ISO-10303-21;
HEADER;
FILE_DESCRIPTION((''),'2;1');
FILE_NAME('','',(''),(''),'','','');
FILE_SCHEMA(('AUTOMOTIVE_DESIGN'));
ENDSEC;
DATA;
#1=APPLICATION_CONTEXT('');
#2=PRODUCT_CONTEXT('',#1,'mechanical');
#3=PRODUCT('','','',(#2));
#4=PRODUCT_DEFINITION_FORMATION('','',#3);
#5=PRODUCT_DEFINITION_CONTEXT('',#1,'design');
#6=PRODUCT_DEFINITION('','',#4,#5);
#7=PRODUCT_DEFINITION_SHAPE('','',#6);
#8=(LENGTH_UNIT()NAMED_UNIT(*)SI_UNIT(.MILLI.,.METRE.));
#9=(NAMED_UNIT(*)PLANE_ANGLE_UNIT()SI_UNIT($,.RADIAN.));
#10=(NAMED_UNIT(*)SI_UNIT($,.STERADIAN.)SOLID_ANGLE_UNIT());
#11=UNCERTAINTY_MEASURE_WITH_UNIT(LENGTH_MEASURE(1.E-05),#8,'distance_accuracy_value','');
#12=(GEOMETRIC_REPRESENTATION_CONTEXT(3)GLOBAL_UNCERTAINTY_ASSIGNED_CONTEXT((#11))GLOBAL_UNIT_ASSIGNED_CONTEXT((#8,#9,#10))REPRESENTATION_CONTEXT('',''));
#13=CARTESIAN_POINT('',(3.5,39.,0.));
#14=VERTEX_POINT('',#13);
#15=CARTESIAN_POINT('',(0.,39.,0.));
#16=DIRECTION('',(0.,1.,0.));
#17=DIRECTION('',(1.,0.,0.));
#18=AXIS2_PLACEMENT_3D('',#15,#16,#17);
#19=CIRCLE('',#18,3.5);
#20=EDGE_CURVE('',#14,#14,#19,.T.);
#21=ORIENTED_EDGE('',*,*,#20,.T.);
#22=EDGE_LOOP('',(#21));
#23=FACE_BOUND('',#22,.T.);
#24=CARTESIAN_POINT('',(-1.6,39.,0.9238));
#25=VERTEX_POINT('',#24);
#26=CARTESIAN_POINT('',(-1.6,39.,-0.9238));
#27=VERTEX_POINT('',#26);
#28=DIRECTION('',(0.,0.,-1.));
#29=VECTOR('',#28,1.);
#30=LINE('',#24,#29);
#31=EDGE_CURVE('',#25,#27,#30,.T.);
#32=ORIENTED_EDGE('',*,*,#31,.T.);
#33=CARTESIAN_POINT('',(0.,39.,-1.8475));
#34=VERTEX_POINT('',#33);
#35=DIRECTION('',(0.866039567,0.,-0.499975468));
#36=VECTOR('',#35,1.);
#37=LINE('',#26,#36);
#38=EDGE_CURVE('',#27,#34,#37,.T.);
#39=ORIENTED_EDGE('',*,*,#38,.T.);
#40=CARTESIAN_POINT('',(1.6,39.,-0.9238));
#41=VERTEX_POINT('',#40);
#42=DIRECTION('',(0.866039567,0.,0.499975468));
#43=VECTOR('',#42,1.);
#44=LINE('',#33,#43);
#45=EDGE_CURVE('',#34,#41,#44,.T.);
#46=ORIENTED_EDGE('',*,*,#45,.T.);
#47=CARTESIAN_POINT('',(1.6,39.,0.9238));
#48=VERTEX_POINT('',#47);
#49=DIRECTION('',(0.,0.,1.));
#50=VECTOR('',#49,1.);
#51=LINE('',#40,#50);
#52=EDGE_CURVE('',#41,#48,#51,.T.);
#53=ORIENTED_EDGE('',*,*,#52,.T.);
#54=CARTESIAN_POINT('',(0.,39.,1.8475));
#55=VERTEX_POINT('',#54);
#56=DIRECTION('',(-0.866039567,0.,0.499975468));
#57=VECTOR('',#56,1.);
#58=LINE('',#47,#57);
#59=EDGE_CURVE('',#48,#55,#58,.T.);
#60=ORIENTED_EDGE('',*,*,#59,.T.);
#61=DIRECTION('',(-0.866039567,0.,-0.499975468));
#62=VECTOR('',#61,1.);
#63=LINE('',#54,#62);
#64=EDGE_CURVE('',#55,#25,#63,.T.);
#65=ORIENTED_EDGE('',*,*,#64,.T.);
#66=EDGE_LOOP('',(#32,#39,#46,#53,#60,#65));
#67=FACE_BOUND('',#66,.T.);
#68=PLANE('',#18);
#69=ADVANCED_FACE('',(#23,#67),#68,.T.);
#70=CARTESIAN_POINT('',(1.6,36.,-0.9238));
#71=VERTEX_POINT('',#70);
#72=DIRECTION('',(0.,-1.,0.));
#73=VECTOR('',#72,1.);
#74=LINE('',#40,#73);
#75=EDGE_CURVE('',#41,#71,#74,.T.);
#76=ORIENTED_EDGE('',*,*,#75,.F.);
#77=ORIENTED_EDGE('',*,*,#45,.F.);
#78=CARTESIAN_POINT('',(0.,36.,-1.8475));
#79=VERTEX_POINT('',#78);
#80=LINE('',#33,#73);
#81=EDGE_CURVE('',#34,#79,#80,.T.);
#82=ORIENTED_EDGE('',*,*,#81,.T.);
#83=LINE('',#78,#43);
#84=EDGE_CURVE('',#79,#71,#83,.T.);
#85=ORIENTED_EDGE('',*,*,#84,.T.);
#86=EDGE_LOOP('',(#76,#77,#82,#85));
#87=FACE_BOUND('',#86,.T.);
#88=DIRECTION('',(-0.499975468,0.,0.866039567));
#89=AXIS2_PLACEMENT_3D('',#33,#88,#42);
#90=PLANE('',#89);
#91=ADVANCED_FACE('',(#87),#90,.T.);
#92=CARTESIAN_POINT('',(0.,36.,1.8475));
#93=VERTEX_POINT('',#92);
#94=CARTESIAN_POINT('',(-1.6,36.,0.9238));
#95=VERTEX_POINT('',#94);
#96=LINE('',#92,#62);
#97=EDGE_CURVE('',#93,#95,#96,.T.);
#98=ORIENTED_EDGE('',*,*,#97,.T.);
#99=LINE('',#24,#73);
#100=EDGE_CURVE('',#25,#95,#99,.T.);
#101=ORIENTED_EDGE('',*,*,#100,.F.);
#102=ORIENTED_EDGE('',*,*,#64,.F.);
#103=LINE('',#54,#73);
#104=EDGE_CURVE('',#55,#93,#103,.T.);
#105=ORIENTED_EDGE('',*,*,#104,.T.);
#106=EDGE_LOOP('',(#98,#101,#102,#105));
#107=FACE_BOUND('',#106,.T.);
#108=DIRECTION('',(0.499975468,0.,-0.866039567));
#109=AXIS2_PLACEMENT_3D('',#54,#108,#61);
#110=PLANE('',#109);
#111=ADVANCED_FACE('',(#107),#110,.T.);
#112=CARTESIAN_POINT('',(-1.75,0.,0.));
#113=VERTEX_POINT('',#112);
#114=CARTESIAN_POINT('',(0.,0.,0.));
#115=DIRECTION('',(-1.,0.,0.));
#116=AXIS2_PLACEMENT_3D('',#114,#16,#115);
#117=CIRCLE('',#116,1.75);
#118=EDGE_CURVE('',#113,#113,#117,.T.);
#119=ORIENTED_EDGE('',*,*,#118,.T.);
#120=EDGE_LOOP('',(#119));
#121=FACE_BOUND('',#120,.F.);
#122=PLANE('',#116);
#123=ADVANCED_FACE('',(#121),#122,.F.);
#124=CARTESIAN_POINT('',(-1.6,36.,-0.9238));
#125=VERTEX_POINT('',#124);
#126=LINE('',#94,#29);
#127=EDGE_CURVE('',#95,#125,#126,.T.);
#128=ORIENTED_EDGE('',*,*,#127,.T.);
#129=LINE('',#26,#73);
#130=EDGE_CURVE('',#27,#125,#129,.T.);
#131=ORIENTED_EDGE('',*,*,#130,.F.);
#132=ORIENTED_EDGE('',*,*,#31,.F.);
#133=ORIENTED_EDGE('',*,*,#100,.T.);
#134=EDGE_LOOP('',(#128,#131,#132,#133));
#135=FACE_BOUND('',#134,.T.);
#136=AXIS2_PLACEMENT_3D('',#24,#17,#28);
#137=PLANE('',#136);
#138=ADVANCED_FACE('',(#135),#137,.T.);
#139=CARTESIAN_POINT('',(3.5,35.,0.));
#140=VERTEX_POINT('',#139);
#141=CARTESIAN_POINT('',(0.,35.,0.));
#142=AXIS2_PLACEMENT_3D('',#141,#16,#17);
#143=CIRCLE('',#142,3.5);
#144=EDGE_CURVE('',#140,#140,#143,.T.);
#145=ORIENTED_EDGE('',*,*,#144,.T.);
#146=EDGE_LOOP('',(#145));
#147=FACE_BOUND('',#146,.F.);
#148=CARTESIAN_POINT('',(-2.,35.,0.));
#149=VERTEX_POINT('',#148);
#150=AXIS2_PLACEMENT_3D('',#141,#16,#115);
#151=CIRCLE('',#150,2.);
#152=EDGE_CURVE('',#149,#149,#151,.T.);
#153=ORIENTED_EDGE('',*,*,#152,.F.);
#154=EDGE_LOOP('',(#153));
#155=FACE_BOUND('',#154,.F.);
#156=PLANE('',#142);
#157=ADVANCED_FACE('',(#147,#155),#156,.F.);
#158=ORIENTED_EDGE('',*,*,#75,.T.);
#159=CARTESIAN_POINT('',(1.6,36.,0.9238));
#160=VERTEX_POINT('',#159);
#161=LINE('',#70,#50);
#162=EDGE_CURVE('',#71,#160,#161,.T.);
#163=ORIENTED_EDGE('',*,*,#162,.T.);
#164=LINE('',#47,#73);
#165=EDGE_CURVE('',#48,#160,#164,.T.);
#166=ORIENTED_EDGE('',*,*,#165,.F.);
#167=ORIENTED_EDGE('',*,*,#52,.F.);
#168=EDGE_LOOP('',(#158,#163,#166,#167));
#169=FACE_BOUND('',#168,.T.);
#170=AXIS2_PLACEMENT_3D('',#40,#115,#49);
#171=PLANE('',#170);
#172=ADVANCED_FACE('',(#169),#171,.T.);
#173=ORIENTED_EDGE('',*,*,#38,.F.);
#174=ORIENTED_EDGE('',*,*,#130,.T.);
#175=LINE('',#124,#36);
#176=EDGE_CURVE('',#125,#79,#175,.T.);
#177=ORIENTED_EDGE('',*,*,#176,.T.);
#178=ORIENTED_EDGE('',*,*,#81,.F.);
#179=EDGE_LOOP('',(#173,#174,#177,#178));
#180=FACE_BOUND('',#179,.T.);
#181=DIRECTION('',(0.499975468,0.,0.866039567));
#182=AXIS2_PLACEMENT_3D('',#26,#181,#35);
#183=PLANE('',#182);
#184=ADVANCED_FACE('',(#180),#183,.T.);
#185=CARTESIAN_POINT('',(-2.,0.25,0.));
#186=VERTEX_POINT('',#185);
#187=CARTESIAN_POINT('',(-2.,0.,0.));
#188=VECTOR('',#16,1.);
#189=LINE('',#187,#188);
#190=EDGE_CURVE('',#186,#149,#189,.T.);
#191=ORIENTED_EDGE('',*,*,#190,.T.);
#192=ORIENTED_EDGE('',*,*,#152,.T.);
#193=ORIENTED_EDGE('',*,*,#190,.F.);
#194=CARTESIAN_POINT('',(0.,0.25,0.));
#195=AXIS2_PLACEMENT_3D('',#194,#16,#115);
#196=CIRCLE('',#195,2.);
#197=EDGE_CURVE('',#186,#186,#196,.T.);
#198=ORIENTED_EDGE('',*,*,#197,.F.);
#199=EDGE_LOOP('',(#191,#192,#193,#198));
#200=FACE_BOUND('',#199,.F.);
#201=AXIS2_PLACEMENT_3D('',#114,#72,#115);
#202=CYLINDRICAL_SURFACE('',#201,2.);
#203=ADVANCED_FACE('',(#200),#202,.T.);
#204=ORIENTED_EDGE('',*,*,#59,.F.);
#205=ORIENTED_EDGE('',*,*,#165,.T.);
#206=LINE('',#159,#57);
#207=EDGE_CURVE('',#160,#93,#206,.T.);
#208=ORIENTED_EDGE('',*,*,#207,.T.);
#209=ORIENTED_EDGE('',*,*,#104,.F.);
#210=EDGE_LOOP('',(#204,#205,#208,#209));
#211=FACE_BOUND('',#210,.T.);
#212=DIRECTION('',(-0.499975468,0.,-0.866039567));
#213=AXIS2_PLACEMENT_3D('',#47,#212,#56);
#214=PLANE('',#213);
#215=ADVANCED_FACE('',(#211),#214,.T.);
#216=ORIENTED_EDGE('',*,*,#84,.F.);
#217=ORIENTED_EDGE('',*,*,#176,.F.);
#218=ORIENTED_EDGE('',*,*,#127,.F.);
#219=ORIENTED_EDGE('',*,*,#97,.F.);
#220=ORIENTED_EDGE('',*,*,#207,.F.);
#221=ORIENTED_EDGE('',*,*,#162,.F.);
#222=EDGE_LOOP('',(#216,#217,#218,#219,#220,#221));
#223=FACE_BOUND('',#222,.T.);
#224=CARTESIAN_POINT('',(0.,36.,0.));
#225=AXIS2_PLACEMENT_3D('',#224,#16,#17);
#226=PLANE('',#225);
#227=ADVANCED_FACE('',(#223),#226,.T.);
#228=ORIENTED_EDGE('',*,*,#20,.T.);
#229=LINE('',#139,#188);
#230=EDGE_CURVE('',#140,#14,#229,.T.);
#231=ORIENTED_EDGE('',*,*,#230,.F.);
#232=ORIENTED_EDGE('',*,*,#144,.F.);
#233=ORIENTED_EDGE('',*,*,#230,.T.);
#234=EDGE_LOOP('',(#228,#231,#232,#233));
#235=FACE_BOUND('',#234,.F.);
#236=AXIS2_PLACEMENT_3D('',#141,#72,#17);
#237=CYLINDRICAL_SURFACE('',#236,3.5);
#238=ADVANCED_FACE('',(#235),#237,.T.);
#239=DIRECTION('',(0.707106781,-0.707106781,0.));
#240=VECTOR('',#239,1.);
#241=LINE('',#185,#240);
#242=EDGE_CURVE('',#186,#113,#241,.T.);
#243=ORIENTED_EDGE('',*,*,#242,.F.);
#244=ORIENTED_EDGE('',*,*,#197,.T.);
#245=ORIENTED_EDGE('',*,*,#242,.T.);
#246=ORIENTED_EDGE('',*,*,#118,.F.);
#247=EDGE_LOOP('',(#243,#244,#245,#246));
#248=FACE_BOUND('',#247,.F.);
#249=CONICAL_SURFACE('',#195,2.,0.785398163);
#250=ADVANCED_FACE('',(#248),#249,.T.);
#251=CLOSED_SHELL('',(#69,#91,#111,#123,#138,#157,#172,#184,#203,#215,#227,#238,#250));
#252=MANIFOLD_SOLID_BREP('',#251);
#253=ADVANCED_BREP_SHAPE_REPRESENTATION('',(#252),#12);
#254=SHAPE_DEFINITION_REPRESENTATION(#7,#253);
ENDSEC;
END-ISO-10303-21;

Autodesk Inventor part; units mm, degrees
ref_plane "YZ Plane" through (0, 0, 0) normal (1, 0, 0) x (0, 1, 0)
ref_plane "XZ Plane" through (0, 0, 0) normal (0, 1, 0) x (-1, 0, 0)
ref_plane "XY Plane" through (0, 0, 0) normal (0, 0, 1) x (1, 0, 0)
sketch "Sketch1" plane through (0, 0, 0) normal (0, 1, 0) x (-1, 0, 0)
  circle A0 centre (0, 0) radius 2
  dimension "d0" = 4
extrude "Extrusion1" add sketch "Sketch1" along normal blind 35
sketch "Sketch2" plane through (0, 35, 0) normal (0, 1, 0) x (1, 0, 0)
  circle A0 centre (0, 0) radius 2 projected
  circle A1 centre (0, 0) radius 3.5
  dimension "d3" = 7
extrude "Extrusion2" add sketch "Sketch2" along normal blind 4 contours A0 | A1
sketch "Sketch3" plane through (0, 39, 0) normal (0, 1, 0) x (1, 0, 0)
  circle A0 centre (0, 0) radius 3.5 projected
  line L0 (0, 1.8475) -> (1.6, 0.9238)
  line L1 (1.6, 0.9238) -> (1.6, -0.9238)
  line L2 (1.6, -0.9238) -> (0, -1.8475)
  line L3 (0, -1.8475) -> (-1.6, -0.9238)
  line L4 (-1.6, -0.9238) -> (-1.6, 0.9238)
  line L5 (-1.6, 0.9238) -> (0, 1.8475)
  dimension "d6" = 1.6
extrude "Extrusion3" cut sketch "Sketch3" against normal blind 3 contours L0 L1 L2 L3 L4 L5
thread "Thread1" size "M4x0.7" class "6g" standard "ANSI Metric M Profile" full length
chamfer "Chamfer1" distance 0.25 angle 45 1 edges at (2, 0, 0)
properties part number "SHCS4x35"
